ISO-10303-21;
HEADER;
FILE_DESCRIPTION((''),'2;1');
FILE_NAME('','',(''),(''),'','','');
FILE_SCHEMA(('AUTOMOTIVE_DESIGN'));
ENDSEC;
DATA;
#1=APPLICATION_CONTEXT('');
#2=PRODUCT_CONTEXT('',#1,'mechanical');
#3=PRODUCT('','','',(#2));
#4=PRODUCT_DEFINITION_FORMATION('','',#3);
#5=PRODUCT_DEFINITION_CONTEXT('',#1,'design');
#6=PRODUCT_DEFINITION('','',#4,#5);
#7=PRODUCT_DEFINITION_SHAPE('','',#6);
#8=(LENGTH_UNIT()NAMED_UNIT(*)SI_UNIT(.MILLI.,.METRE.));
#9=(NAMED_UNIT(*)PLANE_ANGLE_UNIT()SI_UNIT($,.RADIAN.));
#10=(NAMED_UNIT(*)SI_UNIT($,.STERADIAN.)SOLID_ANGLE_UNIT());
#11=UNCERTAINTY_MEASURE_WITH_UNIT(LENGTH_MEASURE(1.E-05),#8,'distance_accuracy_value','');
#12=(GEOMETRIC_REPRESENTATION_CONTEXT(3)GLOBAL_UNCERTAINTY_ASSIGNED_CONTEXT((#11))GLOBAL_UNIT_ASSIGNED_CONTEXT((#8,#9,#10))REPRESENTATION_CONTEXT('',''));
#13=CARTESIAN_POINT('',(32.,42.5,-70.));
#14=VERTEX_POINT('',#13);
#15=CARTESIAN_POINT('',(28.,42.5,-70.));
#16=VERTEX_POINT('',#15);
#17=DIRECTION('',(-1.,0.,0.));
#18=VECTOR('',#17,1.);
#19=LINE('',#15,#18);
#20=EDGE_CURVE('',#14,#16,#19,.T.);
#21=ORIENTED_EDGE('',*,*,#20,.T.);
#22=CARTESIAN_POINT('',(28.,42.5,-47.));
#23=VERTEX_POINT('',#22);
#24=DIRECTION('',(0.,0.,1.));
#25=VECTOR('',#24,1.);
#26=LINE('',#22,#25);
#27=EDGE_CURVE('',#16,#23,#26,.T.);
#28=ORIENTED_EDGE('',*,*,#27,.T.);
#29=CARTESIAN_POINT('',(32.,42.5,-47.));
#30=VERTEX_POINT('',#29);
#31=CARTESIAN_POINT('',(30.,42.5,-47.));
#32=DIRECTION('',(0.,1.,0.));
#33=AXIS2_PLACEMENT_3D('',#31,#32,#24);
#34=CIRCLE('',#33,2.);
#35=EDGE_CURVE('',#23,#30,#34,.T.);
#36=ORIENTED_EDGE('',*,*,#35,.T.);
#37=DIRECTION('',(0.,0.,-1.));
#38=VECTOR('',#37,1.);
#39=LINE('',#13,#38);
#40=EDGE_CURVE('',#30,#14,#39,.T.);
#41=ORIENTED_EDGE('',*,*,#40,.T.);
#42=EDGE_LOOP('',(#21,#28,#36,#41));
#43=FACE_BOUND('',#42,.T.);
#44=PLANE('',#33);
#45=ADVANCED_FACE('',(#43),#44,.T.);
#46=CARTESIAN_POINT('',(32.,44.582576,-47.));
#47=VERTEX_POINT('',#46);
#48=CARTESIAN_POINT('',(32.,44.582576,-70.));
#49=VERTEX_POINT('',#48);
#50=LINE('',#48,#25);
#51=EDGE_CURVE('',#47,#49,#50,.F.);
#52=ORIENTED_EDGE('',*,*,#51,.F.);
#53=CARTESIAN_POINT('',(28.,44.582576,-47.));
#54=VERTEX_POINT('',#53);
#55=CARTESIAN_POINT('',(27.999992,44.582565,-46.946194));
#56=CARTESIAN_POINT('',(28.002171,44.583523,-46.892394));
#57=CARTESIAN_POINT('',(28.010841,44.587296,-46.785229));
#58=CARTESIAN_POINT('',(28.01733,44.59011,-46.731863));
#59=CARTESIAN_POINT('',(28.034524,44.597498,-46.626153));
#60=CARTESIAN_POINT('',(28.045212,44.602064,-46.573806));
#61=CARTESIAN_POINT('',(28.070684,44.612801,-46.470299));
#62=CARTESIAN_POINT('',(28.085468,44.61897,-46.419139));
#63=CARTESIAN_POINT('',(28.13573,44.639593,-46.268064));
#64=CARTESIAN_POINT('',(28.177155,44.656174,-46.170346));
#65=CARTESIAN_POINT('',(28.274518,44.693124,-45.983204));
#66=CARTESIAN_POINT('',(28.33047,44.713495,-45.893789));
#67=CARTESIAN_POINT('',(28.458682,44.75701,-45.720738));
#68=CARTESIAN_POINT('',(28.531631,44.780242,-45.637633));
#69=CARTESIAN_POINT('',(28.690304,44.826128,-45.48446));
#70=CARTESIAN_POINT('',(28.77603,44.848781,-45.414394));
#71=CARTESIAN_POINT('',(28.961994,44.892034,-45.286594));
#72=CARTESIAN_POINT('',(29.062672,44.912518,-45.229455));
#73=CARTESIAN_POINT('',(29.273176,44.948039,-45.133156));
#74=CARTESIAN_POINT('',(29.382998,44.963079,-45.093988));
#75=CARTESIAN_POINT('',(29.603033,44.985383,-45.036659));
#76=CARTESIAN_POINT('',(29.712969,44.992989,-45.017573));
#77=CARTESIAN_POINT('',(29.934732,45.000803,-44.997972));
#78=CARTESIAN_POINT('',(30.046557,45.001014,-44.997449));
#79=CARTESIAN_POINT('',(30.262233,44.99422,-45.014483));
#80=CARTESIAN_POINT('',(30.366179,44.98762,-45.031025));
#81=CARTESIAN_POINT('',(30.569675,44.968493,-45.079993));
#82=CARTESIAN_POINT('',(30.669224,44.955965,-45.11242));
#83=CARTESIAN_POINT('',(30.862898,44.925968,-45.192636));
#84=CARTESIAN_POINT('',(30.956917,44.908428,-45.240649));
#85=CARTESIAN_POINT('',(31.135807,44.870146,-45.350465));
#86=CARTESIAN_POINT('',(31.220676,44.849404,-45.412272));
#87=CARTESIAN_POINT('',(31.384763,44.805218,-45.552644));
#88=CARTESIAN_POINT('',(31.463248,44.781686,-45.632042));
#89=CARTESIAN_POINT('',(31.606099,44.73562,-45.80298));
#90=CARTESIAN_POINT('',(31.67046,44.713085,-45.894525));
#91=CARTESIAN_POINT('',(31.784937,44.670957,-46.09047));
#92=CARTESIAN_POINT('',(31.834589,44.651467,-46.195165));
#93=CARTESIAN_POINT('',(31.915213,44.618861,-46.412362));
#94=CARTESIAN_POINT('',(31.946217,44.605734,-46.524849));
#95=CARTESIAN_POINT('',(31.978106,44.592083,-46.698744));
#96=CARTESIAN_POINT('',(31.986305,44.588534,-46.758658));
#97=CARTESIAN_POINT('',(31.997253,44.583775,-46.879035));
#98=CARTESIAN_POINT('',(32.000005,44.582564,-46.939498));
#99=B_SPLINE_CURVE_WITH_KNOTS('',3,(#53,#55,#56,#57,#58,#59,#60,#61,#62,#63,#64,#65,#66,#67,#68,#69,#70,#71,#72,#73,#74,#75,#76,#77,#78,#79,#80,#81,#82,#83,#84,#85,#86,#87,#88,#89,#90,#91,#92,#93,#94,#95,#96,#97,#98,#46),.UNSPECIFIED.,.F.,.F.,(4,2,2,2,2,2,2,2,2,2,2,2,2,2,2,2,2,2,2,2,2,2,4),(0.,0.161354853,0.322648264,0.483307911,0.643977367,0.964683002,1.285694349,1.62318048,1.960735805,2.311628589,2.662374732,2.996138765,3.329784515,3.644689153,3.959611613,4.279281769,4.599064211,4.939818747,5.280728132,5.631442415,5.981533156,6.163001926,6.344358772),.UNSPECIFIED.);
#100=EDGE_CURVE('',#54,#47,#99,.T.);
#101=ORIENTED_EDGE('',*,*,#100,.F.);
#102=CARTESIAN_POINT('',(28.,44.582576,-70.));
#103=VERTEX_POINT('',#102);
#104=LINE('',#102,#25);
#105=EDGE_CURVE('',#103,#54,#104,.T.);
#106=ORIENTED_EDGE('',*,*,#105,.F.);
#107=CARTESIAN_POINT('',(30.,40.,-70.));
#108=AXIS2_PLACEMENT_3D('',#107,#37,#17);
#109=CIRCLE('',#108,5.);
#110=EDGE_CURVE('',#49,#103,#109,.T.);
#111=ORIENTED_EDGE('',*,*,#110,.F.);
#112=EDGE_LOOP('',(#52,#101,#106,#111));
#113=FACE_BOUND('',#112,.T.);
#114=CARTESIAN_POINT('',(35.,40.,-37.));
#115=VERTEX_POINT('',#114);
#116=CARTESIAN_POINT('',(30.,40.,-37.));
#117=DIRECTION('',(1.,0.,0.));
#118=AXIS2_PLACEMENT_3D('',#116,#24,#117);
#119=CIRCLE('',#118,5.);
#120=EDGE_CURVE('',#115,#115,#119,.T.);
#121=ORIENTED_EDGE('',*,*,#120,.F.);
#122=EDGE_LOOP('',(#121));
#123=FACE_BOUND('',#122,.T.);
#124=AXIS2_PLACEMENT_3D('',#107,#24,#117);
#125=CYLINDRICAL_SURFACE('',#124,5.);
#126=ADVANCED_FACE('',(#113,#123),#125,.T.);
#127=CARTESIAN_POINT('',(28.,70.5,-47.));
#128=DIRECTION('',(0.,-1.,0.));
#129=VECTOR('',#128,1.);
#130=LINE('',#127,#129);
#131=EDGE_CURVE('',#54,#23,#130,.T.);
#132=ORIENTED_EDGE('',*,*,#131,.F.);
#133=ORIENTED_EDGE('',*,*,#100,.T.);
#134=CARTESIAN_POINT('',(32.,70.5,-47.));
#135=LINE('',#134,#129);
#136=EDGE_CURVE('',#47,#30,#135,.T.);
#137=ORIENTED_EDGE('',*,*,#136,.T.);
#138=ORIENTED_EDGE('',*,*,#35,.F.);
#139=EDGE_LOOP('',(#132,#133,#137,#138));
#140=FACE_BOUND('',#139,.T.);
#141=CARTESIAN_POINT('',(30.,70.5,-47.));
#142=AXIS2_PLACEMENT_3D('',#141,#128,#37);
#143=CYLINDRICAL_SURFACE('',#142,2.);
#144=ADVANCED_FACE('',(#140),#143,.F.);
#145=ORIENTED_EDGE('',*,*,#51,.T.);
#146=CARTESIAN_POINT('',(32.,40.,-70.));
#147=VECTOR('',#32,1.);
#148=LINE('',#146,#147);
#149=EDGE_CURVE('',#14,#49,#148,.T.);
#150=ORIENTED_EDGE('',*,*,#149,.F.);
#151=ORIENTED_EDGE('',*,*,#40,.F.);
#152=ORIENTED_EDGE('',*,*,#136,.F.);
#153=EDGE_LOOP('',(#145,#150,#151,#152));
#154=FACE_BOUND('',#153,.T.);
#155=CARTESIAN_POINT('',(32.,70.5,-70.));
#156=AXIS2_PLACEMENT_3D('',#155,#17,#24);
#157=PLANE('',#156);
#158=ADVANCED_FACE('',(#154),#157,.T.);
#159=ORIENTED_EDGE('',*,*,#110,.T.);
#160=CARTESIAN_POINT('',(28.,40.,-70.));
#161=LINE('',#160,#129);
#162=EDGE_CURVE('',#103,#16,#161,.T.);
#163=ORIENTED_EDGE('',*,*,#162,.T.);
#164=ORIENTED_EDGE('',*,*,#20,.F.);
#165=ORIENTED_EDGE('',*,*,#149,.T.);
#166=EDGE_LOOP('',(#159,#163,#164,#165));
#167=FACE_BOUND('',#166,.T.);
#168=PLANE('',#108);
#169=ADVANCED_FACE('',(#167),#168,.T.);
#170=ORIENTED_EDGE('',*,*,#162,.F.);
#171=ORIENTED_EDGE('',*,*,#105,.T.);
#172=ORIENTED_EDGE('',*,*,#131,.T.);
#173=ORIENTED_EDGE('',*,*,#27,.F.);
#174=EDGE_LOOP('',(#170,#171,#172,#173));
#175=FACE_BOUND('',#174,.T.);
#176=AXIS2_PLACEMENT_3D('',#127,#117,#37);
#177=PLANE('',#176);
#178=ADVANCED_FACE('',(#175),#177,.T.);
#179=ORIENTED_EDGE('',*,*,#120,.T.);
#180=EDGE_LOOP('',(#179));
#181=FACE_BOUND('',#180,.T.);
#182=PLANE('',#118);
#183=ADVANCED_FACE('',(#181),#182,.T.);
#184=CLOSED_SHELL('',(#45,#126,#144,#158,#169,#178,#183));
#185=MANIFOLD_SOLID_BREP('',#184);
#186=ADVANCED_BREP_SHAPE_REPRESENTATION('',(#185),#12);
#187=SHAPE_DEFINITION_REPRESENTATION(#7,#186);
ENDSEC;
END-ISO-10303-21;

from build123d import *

# Parameters (mm, degrees)
SKETCH2_W           = 60
SKETCH2_H           = 60
BOSS_EXTRUDE1_DEPTH = 42
SKETCH3_W           = 60
SKETCH3_H           = 60
BOSS_EXTRUDE2_DEPTH = 38
FILLET1_R           = 5
FILLET2_R           = 5
FILLET3_R           = 5
SKETCH4_R           = 2.25
CUT_EXTRUDE1_DEPTH  = 10
SKETCH5_R           = 12
BOSS_EXTRUDE3_DEPTH = 4
SKETCH6_R           = 5
BOSS_EXTRUDE4_DEPTH = 28
CUT_EXTRUDE2_DEPTH  = 28
SKETCH8_W           = 83.4072332
SKETCH8_H           = 75.183984856
CUT_EXTRUDE3_DEPTH  = 84
SKETCH9_R           = 5
BOSS_EXTRUDE5_DEPTH = 5


with BuildPart() as part:
    # Sketch2 → Boss-Extrude1 (new body)
    with BuildSketch(Plane.XY):
        with Locations((30, 30)):
            Rectangle(SKETCH2_W, SKETCH2_H)
    extrude(amount=BOSS_EXTRUDE1_DEPTH)

    # Fillet1
    fillet1_edges = [part.edges().sort_by_distance(p)[0] for p in [
        (0, 60, 21),
        (60, 60, 21),
        (60, 0, 21),
        (0, 0, 21),
    ]]
    fillet(fillet1_edges, radius=FILLET1_R)

    # Fillet3
    fillet3_edges = [part.edges().sort_by_distance(p)[0] for p in [
        (30, 0, 42),
        (0, 30, 42),
        (60, 30, 42),
        (30, 60, 42),
        (58.535533906, 58.535533906, 42),
        (1.464466094, 58.535533906, 42),
        (58.535533906, 1.464466094, 42),
        (1.464466094, 1.464466094, 42),
    ]]
    fillet(fillet3_edges, radius=FILLET3_R)


with BuildPart() as body_2:
    # Sketch3 → Boss-Extrude2 (new body)
    with BuildSketch(Plane(origin=(0, 0, 0), x_dir=(-1, 0, 0), z_dir=(0, 0, -1))):
        with Locations((-30, 30)):
            Rectangle(SKETCH3_W, SKETCH3_H)
    extrude(amount=BOSS_EXTRUDE2_DEPTH)

    # Fillet2
    fillet2_edges = [body_2.edges().sort_by_distance(p)[0] for p in [
        (60, 0, -19),
        (60, 60, -19),
        (0, 60, -19),
        (0, 0, -19),
    ]]
    fillet(fillet2_edges, radius=FILLET2_R)

    # Sketch4 → Cut-Extrude1 (cut)
    with BuildSketch(Plane(origin=(0, 0, -38), x_dir=(-1, 0, 0), z_dir=(0, 0, -1))):
        with Locations((-5.251262658, 54.748737342)):
            Circle(SKETCH4_R)
        with Locations((-54.748737342, 54.748737342)):
            Circle(SKETCH4_R)
        with Locations((-54.748737342, 5.251262658)):
            Circle(SKETCH4_R)
        with Locations((-5.251262658, 5.251262658)):
            Circle(SKETCH4_R)
    extrude(amount=-CUT_EXTRUDE1_DEPTH, mode=Mode.SUBTRACT)

    # Sketch5 → Boss-Extrude3 (add)
    with BuildSketch(Plane(origin=(0, 0, -38), x_dir=(-1, 0, 0), z_dir=(0, 0, -1))):
        with Locations((-30, 40)):
            Circle(SKETCH5_R)
    extrude(amount=BOSS_EXTRUDE3_DEPTH)

    # Sketch6 → Boss-Extrude4 (add)
    with BuildSketch(Plane(origin=(0, 0, -42), x_dir=(-1, 0, 0), z_dir=(0, 0, -1))):
        with Locations((-30, 40)):
            Circle(SKETCH6_R)
    extrude(amount=BOSS_EXTRUDE4_DEPTH)

    # Sketch7 → Cut-Extrude2 (cut)
    with BuildSketch(Plane(origin=(0, 42.5, 0), x_dir=(1, 0, 0), z_dir=(0, 1, 0))):
        with BuildLine():
            Line((28, 47), (28, 70))
            Line((28, 70), (32, 70))
            Line((32, 70), (32, 47))
            ThreePointArc((32, 47), (30, 45), (28, 47))
        make_face()
    extrude(amount=CUT_EXTRUDE2_DEPTH, mode=Mode.SUBTRACT)


with BuildPart() as cut_extrude3_tool:
    # Sketch8 → Cut-Extrude3 (new body)
    with BuildSketch(Plane(origin=(0, 0, -42), x_dir=(-1, 0, 0), z_dir=(0, 0, -1))):
        with Locations((-33.52424929, 30.998537299)):
            Rectangle(SKETCH8_W, SKETCH8_H)
    extrude(amount=-CUT_EXTRUDE3_DEPTH)


with BuildPart() as part_1:
    add(part.part)

    # Cut-Extrude3: cut by cut_extrude3_tool
    add(cut_extrude3_tool.part, mode=Mode.SUBTRACT)


with BuildPart() as body_2_1:
    add(body_2.part)

    # Cut-Extrude3: cut by cut_extrude3_tool
    add(cut_extrude3_tool.part, mode=Mode.SUBTRACT)

    # Sketch9 → Boss-Extrude5 (add)
    with BuildSketch(Plane.XY.offset(-42)):
        with Locations((30, 40)):
            Circle(SKETCH9_R)
    extrude(amount=BOSS_EXTRUDE5_DEPTH)


solid = body_2_1.part
